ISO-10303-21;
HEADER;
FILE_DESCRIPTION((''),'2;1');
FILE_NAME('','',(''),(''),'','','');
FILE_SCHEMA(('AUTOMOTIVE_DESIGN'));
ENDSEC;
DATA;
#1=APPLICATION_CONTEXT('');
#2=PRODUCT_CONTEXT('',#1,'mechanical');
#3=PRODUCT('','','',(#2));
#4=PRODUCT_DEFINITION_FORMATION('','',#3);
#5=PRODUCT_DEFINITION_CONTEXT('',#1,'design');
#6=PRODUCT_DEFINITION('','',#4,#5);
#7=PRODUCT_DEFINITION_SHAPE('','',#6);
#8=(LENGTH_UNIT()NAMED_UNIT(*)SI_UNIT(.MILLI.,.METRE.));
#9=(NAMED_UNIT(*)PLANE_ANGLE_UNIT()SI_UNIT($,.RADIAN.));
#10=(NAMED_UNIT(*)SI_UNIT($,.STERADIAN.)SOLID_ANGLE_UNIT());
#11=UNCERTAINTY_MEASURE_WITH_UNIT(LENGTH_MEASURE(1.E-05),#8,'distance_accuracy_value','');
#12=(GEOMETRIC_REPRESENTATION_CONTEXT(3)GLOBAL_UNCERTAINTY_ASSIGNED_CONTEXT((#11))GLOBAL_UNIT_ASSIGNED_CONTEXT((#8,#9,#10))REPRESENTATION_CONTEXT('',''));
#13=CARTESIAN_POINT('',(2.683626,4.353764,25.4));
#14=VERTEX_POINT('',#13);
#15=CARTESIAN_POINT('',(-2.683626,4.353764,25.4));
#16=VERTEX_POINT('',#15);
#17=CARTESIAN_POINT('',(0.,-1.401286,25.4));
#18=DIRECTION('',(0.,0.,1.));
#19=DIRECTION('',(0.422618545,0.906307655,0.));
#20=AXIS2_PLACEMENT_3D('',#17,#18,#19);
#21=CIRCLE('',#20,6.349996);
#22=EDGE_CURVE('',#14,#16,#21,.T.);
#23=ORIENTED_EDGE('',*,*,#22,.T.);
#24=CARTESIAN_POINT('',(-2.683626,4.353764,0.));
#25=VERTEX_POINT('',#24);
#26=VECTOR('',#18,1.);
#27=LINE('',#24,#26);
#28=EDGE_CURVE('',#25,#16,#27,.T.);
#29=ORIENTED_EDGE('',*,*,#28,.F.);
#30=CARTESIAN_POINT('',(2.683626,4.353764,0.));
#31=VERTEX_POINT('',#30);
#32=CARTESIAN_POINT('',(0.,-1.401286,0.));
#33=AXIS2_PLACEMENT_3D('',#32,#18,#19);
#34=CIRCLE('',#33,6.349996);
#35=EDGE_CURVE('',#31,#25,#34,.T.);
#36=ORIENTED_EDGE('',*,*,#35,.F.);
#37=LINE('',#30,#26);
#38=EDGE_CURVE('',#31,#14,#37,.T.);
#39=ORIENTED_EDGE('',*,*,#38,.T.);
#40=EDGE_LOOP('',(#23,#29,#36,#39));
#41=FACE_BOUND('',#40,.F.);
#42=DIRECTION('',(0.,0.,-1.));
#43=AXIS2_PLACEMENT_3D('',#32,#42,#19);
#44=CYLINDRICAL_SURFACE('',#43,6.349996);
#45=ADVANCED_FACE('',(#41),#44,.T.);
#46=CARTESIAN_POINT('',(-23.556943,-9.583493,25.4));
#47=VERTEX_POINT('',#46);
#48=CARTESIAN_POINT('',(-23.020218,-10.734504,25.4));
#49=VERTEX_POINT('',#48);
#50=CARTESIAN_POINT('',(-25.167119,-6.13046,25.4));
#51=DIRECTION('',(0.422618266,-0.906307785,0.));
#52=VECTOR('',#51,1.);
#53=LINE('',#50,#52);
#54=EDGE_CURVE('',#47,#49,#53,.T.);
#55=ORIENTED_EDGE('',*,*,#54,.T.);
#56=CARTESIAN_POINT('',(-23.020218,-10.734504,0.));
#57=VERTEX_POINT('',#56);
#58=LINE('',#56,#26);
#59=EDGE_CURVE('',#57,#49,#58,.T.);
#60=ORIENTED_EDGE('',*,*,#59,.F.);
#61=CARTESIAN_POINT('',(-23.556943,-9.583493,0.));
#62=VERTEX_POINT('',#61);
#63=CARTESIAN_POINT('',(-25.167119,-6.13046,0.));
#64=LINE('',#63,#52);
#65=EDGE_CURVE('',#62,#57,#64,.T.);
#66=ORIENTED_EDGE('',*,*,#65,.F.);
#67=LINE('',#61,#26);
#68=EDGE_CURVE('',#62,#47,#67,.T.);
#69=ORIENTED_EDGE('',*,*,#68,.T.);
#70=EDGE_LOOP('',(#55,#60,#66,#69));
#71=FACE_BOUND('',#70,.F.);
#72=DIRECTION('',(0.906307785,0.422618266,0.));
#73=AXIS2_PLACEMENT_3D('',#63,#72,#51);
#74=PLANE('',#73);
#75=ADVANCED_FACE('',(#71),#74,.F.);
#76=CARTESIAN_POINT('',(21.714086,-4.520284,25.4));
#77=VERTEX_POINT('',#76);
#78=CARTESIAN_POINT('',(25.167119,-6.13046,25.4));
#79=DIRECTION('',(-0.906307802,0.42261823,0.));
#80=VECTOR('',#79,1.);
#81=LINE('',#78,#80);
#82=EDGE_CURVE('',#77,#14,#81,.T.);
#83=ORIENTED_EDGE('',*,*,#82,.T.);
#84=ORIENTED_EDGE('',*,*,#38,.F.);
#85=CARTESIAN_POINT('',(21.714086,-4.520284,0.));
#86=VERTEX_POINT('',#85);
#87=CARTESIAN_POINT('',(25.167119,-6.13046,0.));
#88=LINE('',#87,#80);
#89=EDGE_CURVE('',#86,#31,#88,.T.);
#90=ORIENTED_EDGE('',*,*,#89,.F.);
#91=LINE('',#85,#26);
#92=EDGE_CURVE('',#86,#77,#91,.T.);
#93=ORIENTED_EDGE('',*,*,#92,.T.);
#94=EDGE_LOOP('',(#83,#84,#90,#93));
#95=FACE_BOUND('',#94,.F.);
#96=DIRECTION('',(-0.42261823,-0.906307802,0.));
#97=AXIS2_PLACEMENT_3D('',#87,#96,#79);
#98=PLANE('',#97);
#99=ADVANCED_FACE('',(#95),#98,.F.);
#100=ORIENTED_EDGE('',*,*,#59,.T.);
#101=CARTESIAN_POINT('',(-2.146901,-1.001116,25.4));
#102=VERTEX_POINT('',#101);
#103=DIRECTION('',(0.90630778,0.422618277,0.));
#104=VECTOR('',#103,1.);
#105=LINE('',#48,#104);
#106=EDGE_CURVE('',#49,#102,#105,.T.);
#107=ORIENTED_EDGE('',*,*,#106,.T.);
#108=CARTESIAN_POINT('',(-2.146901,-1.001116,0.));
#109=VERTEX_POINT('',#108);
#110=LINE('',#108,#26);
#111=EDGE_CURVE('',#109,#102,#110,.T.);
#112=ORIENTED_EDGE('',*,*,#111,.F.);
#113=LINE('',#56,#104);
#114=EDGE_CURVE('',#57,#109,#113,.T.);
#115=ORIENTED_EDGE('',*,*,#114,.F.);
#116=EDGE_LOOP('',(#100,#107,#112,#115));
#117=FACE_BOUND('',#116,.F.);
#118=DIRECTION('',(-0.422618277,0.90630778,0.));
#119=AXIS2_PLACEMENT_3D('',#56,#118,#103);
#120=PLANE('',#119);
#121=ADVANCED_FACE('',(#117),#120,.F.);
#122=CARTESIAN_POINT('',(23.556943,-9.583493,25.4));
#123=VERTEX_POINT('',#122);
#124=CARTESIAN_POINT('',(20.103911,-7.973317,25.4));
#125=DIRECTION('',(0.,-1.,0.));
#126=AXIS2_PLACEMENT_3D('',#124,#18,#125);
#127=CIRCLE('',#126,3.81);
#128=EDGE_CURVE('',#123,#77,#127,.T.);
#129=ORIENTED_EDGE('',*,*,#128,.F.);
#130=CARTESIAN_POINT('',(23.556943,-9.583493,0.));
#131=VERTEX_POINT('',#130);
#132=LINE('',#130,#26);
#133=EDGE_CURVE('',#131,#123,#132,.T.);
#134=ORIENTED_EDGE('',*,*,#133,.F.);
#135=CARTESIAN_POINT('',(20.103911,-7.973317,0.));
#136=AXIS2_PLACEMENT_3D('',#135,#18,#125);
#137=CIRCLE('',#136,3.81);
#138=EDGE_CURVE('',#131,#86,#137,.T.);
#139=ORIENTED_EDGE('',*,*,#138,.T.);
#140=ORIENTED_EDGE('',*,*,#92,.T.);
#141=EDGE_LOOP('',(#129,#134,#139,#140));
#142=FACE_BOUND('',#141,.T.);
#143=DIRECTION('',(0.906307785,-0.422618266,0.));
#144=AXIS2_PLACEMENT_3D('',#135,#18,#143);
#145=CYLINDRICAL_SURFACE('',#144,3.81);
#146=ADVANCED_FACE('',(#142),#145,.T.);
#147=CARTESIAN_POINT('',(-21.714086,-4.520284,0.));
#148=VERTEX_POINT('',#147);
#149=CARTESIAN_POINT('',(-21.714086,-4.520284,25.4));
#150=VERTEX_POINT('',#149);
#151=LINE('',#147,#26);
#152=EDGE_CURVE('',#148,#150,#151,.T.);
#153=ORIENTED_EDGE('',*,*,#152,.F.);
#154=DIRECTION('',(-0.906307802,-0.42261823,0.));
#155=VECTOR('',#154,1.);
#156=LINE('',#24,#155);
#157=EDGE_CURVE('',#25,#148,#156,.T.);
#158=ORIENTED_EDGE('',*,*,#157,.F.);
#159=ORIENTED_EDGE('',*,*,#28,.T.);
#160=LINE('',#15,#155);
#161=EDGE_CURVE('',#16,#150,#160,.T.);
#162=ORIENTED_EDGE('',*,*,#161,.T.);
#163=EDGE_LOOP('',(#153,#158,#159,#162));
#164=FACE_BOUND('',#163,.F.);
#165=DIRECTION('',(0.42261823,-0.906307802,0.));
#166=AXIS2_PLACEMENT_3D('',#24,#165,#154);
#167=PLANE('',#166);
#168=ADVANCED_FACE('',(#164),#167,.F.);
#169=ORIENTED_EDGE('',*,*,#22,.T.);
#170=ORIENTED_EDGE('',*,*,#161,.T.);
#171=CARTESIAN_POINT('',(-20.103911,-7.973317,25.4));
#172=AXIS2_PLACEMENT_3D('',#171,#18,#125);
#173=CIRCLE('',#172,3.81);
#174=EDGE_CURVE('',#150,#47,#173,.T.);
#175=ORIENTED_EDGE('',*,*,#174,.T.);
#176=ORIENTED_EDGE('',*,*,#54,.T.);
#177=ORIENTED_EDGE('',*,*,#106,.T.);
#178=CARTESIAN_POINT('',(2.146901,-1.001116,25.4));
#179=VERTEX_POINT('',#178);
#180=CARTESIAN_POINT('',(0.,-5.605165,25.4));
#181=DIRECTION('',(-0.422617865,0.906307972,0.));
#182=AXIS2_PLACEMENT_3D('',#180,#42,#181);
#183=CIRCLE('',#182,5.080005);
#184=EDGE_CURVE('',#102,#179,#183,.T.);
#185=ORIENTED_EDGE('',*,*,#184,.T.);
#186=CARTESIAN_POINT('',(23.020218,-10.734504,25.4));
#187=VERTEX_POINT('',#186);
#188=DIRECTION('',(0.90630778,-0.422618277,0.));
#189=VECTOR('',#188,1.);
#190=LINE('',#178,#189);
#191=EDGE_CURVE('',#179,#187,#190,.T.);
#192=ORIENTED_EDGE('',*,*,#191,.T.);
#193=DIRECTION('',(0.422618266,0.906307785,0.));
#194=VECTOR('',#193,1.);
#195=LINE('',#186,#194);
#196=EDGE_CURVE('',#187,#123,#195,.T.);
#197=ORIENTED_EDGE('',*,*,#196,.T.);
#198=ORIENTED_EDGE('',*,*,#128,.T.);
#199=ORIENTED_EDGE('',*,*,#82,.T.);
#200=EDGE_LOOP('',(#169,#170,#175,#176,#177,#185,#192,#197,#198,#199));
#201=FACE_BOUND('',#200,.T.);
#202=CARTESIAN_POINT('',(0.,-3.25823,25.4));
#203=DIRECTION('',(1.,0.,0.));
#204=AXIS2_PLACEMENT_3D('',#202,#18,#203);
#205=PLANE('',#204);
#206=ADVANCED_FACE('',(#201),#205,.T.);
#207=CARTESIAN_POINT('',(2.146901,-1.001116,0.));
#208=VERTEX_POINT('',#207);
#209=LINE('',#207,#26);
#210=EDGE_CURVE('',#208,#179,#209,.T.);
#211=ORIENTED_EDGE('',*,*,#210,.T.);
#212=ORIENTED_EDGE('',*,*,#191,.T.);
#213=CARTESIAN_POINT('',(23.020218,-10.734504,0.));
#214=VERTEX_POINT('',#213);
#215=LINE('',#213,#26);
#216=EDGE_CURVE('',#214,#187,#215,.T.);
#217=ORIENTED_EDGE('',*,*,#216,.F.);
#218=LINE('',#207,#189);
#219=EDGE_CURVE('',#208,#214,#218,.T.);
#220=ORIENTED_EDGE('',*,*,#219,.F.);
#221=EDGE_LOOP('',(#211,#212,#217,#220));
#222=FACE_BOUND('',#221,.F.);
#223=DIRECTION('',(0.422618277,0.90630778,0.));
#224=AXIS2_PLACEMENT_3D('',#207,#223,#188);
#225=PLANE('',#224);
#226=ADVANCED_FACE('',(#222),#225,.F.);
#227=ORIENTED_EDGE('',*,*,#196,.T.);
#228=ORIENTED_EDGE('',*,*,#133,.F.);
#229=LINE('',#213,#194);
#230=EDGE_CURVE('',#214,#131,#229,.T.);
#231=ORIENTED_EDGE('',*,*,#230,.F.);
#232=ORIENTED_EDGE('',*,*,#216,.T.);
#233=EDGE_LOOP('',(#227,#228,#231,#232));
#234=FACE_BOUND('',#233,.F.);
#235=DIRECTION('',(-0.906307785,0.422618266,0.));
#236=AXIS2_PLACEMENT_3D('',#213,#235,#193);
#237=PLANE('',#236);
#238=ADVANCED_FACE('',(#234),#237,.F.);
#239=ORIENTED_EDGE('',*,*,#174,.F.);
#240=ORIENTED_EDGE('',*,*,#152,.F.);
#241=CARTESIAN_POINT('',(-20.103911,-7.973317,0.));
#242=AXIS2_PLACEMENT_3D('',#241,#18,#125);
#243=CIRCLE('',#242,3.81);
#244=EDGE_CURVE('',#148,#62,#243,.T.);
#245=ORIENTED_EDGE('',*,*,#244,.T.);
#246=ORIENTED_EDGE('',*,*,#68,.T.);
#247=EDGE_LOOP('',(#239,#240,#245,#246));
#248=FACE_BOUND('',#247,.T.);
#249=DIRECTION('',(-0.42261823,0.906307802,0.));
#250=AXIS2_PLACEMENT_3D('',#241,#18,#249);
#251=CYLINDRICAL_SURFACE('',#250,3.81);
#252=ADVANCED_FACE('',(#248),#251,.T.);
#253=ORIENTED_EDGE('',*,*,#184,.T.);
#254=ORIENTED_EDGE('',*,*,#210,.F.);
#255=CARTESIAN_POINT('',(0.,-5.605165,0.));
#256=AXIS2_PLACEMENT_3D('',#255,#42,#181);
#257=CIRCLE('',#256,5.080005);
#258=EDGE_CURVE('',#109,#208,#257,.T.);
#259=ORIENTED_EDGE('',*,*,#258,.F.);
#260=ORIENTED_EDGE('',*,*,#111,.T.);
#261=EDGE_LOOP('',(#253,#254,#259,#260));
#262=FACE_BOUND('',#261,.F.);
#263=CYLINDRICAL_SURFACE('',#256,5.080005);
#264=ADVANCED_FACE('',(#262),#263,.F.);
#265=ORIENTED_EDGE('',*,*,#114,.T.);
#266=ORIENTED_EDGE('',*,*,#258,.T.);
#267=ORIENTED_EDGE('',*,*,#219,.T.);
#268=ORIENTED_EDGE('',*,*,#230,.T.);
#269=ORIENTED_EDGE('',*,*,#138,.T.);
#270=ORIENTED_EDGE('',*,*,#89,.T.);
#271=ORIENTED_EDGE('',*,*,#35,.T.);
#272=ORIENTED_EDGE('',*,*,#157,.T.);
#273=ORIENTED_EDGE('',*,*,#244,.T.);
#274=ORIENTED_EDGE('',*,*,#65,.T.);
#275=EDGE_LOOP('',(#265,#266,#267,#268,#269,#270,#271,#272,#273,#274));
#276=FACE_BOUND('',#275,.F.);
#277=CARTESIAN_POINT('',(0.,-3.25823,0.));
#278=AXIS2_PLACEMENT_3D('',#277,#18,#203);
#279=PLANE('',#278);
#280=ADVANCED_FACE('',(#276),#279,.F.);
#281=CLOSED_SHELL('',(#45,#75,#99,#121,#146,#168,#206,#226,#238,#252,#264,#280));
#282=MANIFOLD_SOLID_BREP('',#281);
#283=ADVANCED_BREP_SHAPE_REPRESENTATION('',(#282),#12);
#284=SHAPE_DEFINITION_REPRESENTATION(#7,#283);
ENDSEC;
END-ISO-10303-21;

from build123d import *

# Parameters (mm, degrees)
F1_DEPTH = 25.4
F2_R     = 3.81


with BuildPart() as f1:
    # F0 (on Top) → F1 (new body)
    with BuildSketch(Plane.XY):
        with BuildLine():
            Line((-23.020218, -10.734504), (-2.146901, -1.001116))
            ThreePointArc((-2.146901, -1.001116), (0, -0.52516), (2.146901, -1.001116))
            Line((2.146901, -1.001116), (23.020218, -10.734504))
            Line((23.020218, -10.734504), (25.167119, -6.13046))
            Line((25.167119, -6.13046), (2.683626, 4.353764))
            ThreePointArc((2.683626, 4.353764), (0, 4.94871), (-2.683626, 4.353764))
            Line((-2.683626, 4.353764), (-25.167119, -6.13046))
            Line((-25.167119, -6.13046), (-23.020218, -10.734504))
        make_face()
    extrude(amount=F1_DEPTH)

    # F2
    f2_edges = [f1.edges().sort_by_distance(p)[0] for p in [
        (-25.167119, -6.13046, 12.7),
        (25.167119, -6.13046, 12.7),
    ]]
    fillet(f2_edges, radius=F2_R)


solid = f1.part
